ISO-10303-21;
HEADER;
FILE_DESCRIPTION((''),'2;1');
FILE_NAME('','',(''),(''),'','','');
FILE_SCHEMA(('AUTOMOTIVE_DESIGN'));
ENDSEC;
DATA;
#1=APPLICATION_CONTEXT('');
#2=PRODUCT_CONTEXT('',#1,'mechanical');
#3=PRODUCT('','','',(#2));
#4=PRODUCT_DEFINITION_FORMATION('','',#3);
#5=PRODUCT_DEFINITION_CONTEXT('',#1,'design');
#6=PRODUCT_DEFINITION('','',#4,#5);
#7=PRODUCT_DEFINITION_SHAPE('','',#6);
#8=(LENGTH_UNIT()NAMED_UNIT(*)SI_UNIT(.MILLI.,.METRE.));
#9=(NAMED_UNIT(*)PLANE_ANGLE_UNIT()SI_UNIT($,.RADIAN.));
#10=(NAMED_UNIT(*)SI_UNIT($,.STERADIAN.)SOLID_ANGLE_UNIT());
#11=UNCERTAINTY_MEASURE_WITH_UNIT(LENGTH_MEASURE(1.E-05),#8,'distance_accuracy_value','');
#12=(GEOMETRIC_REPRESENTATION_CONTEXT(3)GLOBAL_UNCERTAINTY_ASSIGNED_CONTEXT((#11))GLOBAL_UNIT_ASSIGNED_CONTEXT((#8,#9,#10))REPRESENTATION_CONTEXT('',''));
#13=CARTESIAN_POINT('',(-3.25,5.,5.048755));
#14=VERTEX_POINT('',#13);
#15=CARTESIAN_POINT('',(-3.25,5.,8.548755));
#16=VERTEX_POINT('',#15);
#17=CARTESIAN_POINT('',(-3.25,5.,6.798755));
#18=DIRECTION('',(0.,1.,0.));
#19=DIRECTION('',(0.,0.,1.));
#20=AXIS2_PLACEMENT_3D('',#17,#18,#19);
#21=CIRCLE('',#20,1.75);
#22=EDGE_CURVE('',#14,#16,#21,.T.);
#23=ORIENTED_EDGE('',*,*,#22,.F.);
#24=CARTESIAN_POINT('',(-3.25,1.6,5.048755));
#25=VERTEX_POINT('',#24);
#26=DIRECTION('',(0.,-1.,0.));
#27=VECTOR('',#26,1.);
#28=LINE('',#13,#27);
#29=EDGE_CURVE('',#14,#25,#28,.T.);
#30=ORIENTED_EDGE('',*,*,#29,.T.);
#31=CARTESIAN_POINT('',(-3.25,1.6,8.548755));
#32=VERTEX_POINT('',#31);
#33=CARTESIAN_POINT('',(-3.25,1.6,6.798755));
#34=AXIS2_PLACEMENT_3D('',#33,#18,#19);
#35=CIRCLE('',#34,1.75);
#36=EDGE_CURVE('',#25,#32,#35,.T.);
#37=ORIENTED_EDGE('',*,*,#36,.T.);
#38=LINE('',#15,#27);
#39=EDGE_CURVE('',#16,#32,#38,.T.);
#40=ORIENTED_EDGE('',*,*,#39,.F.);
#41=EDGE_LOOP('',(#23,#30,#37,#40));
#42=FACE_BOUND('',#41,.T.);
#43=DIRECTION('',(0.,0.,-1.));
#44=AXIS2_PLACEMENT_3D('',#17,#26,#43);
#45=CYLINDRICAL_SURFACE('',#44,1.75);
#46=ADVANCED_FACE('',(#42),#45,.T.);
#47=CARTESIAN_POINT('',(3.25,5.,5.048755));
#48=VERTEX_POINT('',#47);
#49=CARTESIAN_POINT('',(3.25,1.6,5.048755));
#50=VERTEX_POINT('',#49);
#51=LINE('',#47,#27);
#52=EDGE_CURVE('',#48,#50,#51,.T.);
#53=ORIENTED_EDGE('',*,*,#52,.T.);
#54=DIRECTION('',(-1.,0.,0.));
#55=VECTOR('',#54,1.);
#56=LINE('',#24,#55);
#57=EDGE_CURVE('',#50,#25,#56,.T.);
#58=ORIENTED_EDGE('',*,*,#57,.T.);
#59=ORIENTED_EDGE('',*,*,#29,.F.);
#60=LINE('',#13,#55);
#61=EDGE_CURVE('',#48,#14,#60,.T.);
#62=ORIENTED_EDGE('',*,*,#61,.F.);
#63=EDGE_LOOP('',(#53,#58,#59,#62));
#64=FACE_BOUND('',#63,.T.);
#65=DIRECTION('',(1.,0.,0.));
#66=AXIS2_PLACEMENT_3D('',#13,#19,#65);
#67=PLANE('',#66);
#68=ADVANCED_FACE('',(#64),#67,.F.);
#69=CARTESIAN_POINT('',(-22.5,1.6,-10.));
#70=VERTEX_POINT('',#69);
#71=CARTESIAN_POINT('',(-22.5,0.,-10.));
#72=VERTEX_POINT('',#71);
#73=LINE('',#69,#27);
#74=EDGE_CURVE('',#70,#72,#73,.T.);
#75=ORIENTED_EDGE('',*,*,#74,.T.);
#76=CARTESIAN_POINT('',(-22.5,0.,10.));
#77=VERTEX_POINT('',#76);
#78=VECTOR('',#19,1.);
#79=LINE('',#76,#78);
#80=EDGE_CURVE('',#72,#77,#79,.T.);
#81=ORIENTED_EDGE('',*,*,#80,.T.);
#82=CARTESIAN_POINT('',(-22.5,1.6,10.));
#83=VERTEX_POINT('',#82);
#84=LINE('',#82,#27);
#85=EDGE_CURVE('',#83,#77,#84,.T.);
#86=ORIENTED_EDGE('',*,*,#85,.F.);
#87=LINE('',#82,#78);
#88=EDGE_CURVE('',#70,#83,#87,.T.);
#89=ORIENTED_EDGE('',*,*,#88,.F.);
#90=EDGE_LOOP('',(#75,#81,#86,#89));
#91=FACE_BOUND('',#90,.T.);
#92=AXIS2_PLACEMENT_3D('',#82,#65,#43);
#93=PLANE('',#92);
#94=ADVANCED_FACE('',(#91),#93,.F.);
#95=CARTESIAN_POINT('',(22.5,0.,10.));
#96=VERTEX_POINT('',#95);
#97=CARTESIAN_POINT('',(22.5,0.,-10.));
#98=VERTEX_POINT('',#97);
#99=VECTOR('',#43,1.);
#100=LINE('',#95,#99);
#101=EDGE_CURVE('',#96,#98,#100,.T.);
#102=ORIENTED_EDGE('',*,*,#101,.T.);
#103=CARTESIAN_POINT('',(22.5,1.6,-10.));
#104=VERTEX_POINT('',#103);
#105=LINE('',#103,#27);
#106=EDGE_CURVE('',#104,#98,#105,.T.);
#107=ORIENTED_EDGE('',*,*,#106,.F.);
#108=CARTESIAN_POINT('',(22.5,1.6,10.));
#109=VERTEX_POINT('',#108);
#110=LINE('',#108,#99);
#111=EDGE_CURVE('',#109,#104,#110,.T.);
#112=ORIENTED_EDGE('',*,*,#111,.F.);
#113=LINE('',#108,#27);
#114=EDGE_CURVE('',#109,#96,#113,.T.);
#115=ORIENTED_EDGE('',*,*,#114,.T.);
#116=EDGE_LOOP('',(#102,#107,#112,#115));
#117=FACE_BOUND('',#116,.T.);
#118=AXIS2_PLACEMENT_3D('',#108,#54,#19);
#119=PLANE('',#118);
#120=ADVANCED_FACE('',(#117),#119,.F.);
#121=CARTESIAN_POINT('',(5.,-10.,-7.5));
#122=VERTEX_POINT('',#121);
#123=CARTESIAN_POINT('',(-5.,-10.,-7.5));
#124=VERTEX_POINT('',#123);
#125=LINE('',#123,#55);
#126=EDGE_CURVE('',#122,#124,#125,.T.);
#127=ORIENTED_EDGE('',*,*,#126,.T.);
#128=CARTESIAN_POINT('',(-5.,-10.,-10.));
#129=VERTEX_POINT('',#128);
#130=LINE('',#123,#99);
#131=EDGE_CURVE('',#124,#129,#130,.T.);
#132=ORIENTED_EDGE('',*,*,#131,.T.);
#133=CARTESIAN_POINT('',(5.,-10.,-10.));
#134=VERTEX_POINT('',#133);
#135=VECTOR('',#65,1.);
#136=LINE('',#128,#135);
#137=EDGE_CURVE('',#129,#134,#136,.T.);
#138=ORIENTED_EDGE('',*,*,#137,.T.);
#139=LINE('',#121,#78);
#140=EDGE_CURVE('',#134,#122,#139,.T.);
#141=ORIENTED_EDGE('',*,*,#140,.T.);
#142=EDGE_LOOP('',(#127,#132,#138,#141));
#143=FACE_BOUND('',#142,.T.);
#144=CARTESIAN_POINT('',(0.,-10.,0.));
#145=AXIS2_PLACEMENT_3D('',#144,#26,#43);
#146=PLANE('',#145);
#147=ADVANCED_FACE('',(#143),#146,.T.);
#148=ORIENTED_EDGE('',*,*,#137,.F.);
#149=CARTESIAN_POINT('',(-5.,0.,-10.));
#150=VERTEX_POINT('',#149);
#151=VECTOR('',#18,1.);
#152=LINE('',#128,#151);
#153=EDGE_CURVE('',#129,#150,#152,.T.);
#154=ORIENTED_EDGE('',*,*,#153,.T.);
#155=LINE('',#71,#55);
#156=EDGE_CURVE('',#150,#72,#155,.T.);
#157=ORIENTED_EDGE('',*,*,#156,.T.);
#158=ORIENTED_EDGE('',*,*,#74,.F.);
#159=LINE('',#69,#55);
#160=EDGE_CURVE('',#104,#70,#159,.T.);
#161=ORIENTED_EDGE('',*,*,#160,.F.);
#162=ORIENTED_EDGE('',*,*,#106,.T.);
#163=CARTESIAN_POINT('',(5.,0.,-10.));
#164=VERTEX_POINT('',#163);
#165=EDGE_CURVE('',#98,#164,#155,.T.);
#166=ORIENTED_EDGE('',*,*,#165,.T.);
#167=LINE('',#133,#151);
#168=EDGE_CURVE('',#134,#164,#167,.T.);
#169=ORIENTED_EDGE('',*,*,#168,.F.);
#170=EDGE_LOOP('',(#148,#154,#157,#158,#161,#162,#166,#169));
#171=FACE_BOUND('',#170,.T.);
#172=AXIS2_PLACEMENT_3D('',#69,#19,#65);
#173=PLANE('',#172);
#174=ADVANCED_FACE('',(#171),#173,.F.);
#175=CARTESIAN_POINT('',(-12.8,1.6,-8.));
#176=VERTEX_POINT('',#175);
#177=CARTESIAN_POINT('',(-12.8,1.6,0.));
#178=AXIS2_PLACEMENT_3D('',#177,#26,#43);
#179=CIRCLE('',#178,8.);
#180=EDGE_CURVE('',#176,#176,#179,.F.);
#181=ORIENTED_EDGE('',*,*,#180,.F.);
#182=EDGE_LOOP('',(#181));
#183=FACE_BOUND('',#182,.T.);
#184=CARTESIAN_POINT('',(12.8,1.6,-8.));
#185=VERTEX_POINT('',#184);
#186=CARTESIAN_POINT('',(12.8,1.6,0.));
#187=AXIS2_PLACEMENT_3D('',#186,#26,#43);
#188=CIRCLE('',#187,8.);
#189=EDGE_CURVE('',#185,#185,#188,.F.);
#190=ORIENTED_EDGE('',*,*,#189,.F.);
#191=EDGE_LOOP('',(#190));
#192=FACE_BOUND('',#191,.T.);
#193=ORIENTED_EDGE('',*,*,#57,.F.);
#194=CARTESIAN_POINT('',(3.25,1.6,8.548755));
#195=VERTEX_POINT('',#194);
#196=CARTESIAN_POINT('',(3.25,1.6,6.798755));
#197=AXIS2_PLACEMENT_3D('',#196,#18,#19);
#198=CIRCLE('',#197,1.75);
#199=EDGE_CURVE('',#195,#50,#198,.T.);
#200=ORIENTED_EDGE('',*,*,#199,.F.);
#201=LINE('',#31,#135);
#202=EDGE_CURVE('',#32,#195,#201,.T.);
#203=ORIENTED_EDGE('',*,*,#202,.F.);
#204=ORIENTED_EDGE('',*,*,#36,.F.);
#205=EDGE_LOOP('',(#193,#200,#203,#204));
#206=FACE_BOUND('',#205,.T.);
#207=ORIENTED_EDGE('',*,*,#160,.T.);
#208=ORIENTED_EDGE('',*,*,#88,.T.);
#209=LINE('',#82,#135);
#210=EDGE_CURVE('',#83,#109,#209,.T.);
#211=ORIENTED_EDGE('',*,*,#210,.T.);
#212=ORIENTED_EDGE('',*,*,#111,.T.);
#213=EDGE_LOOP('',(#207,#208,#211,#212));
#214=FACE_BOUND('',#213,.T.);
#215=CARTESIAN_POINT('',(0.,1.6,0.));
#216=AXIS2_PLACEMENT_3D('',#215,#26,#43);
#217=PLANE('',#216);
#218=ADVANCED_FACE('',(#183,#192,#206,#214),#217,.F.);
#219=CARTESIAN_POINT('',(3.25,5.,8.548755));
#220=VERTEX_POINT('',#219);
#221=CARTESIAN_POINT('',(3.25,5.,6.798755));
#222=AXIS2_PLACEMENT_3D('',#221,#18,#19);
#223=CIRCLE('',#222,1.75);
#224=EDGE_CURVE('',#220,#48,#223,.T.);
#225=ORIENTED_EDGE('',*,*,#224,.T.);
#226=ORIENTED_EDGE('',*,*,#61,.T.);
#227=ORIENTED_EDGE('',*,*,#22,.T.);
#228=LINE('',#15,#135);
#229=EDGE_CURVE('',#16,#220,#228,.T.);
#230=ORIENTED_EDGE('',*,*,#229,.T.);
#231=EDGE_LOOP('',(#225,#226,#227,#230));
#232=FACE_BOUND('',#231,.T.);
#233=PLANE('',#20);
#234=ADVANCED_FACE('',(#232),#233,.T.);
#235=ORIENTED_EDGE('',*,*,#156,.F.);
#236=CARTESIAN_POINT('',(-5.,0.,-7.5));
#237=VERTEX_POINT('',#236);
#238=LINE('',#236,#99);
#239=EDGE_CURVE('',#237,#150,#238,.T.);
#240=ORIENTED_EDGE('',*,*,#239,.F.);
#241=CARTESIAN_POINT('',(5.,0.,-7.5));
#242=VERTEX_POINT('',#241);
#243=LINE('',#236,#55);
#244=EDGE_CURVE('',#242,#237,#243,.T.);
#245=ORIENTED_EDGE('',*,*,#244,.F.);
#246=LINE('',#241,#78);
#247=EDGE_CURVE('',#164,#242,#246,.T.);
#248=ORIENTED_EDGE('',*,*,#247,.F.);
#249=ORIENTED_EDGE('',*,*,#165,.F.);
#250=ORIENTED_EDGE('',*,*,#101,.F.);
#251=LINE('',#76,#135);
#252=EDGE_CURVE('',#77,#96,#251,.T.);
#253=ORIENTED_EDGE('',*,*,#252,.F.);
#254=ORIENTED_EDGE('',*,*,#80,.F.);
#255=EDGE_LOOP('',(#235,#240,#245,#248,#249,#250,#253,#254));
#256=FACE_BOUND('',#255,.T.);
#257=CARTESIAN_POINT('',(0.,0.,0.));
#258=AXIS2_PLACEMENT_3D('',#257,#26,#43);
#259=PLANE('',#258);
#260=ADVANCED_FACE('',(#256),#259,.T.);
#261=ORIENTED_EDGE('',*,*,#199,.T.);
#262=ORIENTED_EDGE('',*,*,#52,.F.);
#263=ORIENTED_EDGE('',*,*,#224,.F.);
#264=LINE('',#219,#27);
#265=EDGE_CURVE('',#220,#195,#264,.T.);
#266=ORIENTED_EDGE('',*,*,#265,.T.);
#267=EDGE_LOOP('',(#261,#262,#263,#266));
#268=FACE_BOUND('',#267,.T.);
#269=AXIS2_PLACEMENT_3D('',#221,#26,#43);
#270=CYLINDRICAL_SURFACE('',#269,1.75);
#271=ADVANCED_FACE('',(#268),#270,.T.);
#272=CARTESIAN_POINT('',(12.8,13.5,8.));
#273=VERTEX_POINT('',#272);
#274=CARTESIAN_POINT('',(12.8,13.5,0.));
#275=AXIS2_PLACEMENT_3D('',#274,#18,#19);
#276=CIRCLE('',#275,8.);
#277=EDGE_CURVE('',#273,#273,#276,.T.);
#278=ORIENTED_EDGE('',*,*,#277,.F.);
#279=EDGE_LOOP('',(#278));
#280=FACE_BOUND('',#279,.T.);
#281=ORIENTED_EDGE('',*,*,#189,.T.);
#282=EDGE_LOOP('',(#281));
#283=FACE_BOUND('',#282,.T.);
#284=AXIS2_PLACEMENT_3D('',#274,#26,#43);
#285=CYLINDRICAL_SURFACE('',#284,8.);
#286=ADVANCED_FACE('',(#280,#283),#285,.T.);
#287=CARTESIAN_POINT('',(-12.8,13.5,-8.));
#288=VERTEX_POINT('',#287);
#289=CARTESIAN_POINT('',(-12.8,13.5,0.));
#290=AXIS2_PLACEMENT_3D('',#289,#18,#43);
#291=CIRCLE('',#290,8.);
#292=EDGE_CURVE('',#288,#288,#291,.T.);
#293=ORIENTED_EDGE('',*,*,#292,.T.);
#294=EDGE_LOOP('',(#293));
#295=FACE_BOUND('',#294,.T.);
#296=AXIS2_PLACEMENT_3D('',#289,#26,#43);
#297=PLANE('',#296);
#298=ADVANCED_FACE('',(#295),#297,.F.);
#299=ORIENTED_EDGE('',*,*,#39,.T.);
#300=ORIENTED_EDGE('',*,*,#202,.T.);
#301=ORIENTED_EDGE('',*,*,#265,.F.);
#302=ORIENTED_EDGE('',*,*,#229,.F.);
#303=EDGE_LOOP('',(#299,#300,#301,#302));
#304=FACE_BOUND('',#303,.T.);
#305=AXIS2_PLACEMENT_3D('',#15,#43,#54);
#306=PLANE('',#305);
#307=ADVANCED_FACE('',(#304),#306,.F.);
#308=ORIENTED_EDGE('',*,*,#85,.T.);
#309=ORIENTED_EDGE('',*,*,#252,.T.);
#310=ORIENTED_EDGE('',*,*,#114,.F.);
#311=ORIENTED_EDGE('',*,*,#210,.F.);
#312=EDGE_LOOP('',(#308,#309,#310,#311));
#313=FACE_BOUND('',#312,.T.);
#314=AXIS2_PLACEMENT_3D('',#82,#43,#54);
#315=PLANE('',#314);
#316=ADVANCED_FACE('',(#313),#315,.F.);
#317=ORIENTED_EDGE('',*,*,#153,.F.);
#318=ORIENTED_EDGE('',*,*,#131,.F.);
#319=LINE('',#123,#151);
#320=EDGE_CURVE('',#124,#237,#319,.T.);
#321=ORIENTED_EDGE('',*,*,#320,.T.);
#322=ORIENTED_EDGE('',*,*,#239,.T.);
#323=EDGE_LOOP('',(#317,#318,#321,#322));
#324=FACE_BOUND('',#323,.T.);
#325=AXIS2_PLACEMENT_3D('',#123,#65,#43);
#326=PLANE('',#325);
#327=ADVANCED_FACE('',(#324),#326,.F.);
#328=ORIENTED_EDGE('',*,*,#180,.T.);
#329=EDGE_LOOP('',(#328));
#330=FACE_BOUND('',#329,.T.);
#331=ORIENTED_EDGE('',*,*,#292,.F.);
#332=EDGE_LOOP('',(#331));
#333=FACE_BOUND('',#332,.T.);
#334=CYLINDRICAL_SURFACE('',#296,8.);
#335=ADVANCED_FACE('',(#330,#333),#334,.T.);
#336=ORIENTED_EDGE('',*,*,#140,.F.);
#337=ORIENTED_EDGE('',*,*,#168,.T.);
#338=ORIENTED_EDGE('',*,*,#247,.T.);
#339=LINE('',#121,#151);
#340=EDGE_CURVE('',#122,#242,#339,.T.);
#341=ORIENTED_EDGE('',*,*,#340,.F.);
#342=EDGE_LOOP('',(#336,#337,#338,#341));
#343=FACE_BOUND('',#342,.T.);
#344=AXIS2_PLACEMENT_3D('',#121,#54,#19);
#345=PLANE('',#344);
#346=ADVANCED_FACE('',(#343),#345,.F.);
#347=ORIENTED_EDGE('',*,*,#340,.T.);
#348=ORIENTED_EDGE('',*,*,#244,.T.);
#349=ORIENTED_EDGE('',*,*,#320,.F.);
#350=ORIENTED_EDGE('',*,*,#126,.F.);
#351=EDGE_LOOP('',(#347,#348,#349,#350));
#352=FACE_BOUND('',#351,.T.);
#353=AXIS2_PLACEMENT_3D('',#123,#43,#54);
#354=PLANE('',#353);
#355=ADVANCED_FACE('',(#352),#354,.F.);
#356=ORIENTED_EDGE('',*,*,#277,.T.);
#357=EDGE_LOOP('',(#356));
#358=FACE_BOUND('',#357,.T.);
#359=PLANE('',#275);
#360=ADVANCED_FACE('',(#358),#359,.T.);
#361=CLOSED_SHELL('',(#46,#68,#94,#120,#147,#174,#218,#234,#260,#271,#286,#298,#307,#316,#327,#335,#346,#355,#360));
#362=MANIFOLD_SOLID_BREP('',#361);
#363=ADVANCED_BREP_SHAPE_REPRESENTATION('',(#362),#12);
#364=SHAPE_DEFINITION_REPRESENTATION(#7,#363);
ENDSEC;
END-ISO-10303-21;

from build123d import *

# Parameters (mm, degrees)
SKETCH_1_W      = 45
SKETCH_1_H      = 20
EXTRUDE_1_DEPTH = 1.6
SKETCH_2_R      = 8
EXTRUDE_2_DEPTH = 11.9
EXTRUDE_3_DEPTH = 3.4
SKETCH_4_W      = 10
SKETCH_4_H      = 2.5
EXTRUDE_4_DEPTH = 10


with BuildPart() as part:
    # 草图1 → 凸台-拉伸1 (new body)
    with BuildSketch(Plane(origin=(0, 0, 0), x_dir=(1, 0, 0), z_dir=(0, 1, 0))):
        Rectangle(SKETCH_1_W, SKETCH_1_H)
    extrude(amount=EXTRUDE_1_DEPTH)

    # 草图2 → 凸台-拉伸2 (add)
    with BuildSketch(Plane(origin=(0, 1.6, 0), x_dir=(1, 0, 0), z_dir=(0, 1, 0))):
        with Locations(Location((12.8, 0, 0), (0, 0, 90))):
            Circle(SKETCH_2_R)
        with Locations(Location((-12.8, 0, 0), (0, 0, 90))):
            Circle(SKETCH_2_R)
    extrude(amount=EXTRUDE_2_DEPTH)

    # 草图3 → 凸台-拉伸3 (add)
    with BuildSketch(Plane(origin=(0, 1.6, 0), x_dir=(1, 0, 0), z_dir=(0, 1, 0))):
        with BuildLine():
            Line((-3.25, -5.048754616), (3.25, -5.048754616))
            ThreePointArc((3.25, -5.048754616), (5, -6.798754616), (3.25, -8.548754616))
            Line((3.25, -8.548754616), (-3.25, -8.548754616))
            ThreePointArc((-3.25, -8.548754616), (-5, -6.798754616), (-3.25, -5.048754616))
        make_face()
    extrude(amount=EXTRUDE_3_DEPTH)

    # 草图4 → 凸台-拉伸4 (add)
    with BuildSketch(Plane.XZ):
        with Locations((0, -8.75)):
            Rectangle(SKETCH_4_W, SKETCH_4_H)
    extrude(amount=EXTRUDE_4_DEPTH)


solid = part.part
